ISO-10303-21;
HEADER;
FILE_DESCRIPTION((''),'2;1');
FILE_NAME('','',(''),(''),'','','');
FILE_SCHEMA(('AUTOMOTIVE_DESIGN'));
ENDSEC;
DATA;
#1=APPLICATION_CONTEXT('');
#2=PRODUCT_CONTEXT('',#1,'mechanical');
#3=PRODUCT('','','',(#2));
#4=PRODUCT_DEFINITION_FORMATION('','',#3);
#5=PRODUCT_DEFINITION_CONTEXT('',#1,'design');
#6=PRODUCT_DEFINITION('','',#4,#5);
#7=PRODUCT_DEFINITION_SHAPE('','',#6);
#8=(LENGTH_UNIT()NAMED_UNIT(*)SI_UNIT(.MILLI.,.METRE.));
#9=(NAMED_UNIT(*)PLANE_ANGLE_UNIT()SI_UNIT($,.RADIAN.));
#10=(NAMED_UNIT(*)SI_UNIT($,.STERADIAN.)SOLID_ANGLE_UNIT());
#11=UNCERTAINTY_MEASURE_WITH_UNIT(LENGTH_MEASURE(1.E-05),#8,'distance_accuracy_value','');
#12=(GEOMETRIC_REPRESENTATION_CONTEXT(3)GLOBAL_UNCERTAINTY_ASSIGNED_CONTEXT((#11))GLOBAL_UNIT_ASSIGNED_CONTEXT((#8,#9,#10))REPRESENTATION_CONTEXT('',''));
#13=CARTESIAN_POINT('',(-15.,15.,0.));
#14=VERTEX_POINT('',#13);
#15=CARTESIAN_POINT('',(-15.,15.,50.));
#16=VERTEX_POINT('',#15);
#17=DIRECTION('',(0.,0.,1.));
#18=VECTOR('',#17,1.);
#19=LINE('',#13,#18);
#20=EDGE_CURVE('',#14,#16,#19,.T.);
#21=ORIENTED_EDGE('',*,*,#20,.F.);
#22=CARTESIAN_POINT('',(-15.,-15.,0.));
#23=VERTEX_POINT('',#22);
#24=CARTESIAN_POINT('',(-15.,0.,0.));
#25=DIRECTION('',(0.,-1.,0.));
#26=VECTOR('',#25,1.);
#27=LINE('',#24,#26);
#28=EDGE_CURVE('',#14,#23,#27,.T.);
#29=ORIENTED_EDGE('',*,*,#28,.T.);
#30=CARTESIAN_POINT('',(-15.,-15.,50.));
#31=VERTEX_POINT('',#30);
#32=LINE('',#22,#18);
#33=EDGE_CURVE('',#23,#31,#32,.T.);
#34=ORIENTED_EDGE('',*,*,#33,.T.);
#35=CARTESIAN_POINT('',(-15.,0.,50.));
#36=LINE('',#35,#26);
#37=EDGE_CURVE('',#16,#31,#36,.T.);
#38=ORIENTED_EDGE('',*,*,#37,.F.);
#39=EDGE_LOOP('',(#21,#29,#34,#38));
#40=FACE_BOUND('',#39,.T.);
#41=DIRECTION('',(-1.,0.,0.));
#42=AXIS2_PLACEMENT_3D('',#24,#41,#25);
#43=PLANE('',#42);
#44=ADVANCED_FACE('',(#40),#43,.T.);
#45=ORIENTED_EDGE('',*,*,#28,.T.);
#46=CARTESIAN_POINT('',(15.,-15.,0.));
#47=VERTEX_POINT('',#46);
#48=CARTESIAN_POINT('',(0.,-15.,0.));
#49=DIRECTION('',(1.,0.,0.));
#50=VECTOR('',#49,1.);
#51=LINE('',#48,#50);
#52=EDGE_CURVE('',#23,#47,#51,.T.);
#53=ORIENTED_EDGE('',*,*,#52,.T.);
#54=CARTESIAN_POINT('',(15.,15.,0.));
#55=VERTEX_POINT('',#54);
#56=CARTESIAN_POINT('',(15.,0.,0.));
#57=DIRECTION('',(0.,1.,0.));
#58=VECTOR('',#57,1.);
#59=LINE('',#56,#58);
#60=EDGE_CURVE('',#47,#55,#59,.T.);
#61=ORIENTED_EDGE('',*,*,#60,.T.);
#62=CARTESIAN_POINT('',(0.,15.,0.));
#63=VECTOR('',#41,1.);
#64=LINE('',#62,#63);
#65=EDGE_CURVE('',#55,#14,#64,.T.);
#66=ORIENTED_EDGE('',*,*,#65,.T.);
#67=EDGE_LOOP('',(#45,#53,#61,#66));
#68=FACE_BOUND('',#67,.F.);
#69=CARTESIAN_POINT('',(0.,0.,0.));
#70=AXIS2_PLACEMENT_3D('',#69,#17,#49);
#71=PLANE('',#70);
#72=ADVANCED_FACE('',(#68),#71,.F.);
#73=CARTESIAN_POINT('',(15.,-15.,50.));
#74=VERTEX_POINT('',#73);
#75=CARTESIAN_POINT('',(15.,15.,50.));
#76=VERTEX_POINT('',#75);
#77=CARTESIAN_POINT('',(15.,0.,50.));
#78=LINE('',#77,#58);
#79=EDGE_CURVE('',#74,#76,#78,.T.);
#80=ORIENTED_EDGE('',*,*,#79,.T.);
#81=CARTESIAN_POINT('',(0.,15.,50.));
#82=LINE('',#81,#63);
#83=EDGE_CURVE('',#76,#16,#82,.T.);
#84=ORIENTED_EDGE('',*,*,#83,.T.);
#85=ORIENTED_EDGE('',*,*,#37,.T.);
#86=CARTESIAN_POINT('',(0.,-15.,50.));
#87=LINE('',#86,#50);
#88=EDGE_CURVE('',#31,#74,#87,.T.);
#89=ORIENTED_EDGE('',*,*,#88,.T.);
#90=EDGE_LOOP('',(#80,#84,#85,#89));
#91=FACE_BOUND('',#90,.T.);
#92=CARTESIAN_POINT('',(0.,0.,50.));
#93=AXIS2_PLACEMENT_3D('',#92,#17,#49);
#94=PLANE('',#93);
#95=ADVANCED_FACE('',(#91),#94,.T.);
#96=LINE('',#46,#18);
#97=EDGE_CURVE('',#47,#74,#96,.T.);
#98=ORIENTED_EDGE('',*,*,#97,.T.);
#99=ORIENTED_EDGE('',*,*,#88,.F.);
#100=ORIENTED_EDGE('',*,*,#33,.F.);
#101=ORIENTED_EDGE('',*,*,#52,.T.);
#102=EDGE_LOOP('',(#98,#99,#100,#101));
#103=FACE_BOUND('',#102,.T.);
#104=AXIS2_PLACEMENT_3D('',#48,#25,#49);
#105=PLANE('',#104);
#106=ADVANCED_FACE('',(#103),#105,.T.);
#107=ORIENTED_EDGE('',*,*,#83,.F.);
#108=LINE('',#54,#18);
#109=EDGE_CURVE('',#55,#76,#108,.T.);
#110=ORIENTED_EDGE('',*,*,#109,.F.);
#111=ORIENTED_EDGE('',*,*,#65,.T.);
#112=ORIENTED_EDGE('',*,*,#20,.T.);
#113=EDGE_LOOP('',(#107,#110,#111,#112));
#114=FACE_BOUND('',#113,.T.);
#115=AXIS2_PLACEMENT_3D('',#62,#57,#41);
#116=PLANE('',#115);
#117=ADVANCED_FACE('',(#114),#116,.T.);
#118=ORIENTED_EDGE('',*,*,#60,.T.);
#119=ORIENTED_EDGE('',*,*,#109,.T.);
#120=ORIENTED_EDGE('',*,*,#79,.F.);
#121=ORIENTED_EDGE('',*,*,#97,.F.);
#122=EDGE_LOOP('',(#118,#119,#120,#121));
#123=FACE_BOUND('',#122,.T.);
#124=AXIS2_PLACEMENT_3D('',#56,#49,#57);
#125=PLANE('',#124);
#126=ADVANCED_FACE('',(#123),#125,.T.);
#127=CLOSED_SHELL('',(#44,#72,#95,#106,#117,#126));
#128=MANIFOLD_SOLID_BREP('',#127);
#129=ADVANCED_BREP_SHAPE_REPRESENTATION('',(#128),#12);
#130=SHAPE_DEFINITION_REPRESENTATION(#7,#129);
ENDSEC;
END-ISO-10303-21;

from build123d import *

# Parameters (mm, degrees)
F0_W = 30
F0_H = 30


with BuildPart() as f2:
    # F2: sweep along a path in F1
    with BuildLine(Plane.XZ) as f2_path:
        Line((0, 0), (0, 50))
    # F0 (on Top) → F2 (sweep)
    with BuildSketch(Plane.XY):
        Rectangle(F0_W, F0_H)
    sweep(path=f2_path.line)


solid = f2.part
